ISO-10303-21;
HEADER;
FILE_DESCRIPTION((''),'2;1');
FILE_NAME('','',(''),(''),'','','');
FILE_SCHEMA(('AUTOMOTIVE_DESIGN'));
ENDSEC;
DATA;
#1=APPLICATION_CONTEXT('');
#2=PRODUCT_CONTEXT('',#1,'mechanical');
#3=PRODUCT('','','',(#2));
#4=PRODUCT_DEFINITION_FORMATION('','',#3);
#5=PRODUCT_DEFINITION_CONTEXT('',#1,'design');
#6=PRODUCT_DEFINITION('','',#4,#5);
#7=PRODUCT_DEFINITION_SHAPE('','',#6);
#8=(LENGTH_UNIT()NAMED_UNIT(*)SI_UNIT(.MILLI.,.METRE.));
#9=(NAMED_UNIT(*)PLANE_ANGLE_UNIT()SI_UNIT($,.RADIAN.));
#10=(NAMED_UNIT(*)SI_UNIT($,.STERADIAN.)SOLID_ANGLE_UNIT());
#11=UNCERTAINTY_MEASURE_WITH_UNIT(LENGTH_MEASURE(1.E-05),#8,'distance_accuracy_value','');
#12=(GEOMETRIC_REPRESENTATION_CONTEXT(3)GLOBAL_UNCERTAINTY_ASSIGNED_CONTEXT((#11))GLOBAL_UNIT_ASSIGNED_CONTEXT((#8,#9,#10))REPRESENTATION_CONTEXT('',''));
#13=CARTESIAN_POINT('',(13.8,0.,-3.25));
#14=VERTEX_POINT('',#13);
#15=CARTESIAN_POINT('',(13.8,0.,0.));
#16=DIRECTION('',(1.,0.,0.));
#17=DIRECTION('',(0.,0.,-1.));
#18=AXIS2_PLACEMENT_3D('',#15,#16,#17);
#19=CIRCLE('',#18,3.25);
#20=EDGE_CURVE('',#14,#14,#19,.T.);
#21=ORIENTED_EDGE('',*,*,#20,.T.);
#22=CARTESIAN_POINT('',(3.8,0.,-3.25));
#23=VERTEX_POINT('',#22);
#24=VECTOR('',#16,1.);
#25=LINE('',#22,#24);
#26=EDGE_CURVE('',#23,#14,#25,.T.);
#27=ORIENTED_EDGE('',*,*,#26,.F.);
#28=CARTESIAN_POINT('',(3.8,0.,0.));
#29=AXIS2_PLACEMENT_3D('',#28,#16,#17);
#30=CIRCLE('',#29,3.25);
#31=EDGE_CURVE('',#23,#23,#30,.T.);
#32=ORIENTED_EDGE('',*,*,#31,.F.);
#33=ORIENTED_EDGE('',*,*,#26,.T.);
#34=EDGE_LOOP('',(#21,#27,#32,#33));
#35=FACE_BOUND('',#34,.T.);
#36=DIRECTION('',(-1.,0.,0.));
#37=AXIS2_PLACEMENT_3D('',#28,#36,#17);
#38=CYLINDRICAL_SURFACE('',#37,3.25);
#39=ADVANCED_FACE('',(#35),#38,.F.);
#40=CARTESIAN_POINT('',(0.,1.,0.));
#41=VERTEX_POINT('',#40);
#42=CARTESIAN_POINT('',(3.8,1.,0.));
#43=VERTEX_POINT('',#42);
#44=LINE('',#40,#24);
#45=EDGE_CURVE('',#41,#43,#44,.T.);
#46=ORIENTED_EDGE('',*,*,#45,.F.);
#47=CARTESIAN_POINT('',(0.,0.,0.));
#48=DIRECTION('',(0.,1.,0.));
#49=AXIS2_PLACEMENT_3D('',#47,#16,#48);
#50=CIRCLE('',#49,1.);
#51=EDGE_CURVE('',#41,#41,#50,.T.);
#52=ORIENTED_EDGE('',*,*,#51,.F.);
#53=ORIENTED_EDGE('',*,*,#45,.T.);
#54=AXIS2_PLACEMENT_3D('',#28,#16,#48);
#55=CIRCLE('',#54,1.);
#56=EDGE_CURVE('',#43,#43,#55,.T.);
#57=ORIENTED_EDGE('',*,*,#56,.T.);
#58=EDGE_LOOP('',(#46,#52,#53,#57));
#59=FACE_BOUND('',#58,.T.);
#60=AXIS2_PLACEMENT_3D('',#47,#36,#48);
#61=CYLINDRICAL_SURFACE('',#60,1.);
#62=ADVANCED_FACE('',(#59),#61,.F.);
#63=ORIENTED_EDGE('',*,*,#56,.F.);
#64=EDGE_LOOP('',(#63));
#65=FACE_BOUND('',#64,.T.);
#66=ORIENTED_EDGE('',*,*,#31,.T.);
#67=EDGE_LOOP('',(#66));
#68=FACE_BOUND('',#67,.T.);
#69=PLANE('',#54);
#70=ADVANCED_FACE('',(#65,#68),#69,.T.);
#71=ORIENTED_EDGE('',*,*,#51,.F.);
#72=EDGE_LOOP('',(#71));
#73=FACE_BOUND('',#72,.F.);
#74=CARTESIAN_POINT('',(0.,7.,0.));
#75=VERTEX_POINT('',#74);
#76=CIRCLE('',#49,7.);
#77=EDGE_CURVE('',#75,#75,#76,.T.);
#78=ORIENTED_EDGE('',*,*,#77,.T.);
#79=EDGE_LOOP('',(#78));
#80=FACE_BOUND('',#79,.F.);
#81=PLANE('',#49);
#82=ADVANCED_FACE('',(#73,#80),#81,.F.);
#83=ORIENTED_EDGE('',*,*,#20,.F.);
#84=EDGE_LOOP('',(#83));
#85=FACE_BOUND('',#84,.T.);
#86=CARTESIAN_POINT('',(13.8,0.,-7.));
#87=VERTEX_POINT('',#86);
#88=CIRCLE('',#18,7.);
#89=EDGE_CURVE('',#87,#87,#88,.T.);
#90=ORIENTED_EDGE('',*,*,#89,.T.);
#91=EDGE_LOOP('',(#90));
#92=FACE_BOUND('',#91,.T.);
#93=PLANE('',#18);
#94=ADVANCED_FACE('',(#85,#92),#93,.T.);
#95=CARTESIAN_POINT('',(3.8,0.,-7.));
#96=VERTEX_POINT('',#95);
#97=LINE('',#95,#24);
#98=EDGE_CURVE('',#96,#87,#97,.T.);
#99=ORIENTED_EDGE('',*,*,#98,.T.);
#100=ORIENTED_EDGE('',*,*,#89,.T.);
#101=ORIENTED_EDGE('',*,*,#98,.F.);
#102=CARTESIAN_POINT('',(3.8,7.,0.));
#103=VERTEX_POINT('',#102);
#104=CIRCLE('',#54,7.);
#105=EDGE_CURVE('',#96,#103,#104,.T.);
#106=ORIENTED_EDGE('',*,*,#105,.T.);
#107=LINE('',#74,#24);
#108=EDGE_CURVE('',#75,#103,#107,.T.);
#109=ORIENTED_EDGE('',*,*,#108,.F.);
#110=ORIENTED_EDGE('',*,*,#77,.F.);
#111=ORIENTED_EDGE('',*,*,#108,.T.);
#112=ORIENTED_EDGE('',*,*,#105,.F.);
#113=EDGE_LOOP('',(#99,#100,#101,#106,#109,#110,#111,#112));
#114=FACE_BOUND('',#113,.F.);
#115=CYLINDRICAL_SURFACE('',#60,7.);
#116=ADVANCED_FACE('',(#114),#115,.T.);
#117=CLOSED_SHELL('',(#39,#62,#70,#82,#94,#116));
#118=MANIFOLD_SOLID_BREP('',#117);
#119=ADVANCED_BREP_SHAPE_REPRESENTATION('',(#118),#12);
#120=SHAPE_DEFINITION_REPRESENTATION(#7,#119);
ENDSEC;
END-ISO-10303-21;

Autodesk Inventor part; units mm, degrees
ref_plane "YZ Plane" through (0, 0, 0) normal (1, 0, 0) x (0, 1, 0)
ref_plane "XZ Plane" through (0, 0, 0) normal (0, 1, 0) x (-1, 0, 0)
ref_plane "XY Plane" through (0, 0, 0) normal (0, 0, 1) x (1, 0, 0)
sketch "Szkic1" plane through (0, 0, 0) normal (1, 0, 0) x (0, 1, 0)
  circle A0 centre (0, 0) radius 7
  circle A1 centre (0, 0) radius 1
  dimension "d0" = 14
  dimension "d1" = 2
extrude "Wyciągnięcie proste1" add sketch "Szkic1" along normal blind 3.8
sketch "Szkic2" plane through (3.8, 0, 0) normal (1, 0, 0) x (0, 0, -1)
  circle A0 centre (0, 0) radius 3.25
  circle A1 centre (0, 0) radius 7
  dimension "d4" = 6.5
extrude "Wyciągnięcie proste2" add sketch "Szkic2" along normal blind 10
properties part number "kolko"
